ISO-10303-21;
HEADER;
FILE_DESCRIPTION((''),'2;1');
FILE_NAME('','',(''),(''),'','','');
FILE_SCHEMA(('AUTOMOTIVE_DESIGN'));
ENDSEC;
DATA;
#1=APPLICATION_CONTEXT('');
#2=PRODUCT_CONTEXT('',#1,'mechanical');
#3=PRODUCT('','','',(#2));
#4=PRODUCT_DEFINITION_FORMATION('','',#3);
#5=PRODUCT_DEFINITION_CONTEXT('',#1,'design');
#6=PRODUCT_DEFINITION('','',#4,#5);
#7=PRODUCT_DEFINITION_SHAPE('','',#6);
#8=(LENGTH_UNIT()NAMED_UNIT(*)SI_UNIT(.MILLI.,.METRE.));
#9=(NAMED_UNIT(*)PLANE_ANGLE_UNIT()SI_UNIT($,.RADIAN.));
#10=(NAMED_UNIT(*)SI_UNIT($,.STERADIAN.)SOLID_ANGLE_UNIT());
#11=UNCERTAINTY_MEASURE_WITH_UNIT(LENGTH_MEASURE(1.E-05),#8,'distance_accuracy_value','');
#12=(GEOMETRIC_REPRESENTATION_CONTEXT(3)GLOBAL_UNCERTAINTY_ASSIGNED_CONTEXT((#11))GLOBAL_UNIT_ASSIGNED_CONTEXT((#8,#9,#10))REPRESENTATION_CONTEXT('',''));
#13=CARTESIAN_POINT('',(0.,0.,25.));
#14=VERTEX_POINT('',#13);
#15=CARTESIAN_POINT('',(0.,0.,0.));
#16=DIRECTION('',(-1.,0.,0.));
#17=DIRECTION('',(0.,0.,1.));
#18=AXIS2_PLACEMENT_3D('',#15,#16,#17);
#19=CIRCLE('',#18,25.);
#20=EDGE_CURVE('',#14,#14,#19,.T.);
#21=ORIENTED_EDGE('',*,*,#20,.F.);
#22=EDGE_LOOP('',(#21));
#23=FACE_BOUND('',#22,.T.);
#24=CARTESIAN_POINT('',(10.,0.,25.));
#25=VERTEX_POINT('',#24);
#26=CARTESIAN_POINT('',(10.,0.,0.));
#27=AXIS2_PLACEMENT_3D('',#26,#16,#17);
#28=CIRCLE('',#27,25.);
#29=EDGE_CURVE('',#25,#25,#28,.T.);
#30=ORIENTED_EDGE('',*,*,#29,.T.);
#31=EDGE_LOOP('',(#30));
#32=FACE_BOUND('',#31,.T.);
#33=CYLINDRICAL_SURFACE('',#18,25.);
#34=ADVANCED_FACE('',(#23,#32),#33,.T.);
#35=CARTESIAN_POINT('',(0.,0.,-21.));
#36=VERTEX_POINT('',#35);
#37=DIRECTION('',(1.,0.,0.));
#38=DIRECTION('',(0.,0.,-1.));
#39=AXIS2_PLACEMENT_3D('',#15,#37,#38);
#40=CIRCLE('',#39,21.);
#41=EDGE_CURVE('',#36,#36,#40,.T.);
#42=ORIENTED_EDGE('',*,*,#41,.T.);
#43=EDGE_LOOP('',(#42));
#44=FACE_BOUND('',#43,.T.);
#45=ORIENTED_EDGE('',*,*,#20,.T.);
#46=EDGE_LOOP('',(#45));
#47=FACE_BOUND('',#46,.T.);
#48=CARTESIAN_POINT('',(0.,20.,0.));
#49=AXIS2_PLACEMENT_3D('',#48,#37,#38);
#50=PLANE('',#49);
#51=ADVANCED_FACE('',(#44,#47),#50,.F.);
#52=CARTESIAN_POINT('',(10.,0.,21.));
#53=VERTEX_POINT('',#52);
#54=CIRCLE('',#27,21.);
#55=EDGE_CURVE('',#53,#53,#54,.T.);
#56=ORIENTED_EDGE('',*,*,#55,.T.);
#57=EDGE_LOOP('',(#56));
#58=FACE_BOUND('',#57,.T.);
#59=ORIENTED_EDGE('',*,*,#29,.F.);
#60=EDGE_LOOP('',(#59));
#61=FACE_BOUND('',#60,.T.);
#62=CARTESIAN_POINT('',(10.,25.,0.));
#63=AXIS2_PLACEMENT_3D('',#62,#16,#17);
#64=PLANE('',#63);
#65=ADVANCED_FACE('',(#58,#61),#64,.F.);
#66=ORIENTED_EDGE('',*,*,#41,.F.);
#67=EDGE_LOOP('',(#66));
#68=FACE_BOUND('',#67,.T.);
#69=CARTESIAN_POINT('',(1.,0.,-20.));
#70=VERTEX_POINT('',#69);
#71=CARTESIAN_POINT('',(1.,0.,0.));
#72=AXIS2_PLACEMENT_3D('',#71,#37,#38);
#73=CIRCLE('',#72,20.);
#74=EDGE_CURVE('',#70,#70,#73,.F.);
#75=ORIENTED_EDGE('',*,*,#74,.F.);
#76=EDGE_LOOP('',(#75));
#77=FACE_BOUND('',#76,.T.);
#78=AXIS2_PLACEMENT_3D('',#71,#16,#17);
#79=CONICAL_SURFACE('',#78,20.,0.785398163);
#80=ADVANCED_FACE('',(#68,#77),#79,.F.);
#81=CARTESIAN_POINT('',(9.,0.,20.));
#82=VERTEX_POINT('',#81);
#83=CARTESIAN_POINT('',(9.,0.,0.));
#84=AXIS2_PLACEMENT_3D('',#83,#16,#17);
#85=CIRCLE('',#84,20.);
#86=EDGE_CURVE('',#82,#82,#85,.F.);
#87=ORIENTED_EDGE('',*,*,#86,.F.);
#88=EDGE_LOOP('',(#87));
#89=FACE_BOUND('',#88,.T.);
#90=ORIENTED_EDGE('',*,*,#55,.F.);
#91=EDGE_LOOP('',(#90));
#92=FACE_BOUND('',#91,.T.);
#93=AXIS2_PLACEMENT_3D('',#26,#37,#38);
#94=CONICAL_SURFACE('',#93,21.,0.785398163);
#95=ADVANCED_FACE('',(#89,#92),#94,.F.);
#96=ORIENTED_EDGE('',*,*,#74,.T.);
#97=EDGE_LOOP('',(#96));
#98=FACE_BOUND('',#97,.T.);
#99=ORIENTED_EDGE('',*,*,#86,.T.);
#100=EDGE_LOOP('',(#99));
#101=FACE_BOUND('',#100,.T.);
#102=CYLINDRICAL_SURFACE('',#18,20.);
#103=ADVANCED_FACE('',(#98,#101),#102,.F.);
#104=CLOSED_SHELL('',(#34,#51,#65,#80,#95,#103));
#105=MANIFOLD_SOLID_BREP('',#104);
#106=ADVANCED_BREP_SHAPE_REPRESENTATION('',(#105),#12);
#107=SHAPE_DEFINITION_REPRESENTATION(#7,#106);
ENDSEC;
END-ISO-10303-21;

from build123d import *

# Parameters (mm, degrees)
SKICA1_W      = 10
SKICA1_H      = 5
ZKOSEN_1_SIZE = 1


with BuildPart() as part:
    # Skica1 → Rotovat1 (revolve)
    with BuildSketch(Plane.XY):
        with Locations((5, 22.5)):
            Rectangle(SKICA1_W, SKICA1_H)
    revolve(axis=Axis((0, 0, 0), (1, 0, 0)))

    # Zkosení1
    zkosen_1_edges = [part.edges().sort_by_distance(p)[0] for p in [
        (0, -20, 0),
        (10, -20, 0),
    ]]
    chamfer(zkosen_1_edges, length=ZKOSEN_1_SIZE)


solid = part.part
